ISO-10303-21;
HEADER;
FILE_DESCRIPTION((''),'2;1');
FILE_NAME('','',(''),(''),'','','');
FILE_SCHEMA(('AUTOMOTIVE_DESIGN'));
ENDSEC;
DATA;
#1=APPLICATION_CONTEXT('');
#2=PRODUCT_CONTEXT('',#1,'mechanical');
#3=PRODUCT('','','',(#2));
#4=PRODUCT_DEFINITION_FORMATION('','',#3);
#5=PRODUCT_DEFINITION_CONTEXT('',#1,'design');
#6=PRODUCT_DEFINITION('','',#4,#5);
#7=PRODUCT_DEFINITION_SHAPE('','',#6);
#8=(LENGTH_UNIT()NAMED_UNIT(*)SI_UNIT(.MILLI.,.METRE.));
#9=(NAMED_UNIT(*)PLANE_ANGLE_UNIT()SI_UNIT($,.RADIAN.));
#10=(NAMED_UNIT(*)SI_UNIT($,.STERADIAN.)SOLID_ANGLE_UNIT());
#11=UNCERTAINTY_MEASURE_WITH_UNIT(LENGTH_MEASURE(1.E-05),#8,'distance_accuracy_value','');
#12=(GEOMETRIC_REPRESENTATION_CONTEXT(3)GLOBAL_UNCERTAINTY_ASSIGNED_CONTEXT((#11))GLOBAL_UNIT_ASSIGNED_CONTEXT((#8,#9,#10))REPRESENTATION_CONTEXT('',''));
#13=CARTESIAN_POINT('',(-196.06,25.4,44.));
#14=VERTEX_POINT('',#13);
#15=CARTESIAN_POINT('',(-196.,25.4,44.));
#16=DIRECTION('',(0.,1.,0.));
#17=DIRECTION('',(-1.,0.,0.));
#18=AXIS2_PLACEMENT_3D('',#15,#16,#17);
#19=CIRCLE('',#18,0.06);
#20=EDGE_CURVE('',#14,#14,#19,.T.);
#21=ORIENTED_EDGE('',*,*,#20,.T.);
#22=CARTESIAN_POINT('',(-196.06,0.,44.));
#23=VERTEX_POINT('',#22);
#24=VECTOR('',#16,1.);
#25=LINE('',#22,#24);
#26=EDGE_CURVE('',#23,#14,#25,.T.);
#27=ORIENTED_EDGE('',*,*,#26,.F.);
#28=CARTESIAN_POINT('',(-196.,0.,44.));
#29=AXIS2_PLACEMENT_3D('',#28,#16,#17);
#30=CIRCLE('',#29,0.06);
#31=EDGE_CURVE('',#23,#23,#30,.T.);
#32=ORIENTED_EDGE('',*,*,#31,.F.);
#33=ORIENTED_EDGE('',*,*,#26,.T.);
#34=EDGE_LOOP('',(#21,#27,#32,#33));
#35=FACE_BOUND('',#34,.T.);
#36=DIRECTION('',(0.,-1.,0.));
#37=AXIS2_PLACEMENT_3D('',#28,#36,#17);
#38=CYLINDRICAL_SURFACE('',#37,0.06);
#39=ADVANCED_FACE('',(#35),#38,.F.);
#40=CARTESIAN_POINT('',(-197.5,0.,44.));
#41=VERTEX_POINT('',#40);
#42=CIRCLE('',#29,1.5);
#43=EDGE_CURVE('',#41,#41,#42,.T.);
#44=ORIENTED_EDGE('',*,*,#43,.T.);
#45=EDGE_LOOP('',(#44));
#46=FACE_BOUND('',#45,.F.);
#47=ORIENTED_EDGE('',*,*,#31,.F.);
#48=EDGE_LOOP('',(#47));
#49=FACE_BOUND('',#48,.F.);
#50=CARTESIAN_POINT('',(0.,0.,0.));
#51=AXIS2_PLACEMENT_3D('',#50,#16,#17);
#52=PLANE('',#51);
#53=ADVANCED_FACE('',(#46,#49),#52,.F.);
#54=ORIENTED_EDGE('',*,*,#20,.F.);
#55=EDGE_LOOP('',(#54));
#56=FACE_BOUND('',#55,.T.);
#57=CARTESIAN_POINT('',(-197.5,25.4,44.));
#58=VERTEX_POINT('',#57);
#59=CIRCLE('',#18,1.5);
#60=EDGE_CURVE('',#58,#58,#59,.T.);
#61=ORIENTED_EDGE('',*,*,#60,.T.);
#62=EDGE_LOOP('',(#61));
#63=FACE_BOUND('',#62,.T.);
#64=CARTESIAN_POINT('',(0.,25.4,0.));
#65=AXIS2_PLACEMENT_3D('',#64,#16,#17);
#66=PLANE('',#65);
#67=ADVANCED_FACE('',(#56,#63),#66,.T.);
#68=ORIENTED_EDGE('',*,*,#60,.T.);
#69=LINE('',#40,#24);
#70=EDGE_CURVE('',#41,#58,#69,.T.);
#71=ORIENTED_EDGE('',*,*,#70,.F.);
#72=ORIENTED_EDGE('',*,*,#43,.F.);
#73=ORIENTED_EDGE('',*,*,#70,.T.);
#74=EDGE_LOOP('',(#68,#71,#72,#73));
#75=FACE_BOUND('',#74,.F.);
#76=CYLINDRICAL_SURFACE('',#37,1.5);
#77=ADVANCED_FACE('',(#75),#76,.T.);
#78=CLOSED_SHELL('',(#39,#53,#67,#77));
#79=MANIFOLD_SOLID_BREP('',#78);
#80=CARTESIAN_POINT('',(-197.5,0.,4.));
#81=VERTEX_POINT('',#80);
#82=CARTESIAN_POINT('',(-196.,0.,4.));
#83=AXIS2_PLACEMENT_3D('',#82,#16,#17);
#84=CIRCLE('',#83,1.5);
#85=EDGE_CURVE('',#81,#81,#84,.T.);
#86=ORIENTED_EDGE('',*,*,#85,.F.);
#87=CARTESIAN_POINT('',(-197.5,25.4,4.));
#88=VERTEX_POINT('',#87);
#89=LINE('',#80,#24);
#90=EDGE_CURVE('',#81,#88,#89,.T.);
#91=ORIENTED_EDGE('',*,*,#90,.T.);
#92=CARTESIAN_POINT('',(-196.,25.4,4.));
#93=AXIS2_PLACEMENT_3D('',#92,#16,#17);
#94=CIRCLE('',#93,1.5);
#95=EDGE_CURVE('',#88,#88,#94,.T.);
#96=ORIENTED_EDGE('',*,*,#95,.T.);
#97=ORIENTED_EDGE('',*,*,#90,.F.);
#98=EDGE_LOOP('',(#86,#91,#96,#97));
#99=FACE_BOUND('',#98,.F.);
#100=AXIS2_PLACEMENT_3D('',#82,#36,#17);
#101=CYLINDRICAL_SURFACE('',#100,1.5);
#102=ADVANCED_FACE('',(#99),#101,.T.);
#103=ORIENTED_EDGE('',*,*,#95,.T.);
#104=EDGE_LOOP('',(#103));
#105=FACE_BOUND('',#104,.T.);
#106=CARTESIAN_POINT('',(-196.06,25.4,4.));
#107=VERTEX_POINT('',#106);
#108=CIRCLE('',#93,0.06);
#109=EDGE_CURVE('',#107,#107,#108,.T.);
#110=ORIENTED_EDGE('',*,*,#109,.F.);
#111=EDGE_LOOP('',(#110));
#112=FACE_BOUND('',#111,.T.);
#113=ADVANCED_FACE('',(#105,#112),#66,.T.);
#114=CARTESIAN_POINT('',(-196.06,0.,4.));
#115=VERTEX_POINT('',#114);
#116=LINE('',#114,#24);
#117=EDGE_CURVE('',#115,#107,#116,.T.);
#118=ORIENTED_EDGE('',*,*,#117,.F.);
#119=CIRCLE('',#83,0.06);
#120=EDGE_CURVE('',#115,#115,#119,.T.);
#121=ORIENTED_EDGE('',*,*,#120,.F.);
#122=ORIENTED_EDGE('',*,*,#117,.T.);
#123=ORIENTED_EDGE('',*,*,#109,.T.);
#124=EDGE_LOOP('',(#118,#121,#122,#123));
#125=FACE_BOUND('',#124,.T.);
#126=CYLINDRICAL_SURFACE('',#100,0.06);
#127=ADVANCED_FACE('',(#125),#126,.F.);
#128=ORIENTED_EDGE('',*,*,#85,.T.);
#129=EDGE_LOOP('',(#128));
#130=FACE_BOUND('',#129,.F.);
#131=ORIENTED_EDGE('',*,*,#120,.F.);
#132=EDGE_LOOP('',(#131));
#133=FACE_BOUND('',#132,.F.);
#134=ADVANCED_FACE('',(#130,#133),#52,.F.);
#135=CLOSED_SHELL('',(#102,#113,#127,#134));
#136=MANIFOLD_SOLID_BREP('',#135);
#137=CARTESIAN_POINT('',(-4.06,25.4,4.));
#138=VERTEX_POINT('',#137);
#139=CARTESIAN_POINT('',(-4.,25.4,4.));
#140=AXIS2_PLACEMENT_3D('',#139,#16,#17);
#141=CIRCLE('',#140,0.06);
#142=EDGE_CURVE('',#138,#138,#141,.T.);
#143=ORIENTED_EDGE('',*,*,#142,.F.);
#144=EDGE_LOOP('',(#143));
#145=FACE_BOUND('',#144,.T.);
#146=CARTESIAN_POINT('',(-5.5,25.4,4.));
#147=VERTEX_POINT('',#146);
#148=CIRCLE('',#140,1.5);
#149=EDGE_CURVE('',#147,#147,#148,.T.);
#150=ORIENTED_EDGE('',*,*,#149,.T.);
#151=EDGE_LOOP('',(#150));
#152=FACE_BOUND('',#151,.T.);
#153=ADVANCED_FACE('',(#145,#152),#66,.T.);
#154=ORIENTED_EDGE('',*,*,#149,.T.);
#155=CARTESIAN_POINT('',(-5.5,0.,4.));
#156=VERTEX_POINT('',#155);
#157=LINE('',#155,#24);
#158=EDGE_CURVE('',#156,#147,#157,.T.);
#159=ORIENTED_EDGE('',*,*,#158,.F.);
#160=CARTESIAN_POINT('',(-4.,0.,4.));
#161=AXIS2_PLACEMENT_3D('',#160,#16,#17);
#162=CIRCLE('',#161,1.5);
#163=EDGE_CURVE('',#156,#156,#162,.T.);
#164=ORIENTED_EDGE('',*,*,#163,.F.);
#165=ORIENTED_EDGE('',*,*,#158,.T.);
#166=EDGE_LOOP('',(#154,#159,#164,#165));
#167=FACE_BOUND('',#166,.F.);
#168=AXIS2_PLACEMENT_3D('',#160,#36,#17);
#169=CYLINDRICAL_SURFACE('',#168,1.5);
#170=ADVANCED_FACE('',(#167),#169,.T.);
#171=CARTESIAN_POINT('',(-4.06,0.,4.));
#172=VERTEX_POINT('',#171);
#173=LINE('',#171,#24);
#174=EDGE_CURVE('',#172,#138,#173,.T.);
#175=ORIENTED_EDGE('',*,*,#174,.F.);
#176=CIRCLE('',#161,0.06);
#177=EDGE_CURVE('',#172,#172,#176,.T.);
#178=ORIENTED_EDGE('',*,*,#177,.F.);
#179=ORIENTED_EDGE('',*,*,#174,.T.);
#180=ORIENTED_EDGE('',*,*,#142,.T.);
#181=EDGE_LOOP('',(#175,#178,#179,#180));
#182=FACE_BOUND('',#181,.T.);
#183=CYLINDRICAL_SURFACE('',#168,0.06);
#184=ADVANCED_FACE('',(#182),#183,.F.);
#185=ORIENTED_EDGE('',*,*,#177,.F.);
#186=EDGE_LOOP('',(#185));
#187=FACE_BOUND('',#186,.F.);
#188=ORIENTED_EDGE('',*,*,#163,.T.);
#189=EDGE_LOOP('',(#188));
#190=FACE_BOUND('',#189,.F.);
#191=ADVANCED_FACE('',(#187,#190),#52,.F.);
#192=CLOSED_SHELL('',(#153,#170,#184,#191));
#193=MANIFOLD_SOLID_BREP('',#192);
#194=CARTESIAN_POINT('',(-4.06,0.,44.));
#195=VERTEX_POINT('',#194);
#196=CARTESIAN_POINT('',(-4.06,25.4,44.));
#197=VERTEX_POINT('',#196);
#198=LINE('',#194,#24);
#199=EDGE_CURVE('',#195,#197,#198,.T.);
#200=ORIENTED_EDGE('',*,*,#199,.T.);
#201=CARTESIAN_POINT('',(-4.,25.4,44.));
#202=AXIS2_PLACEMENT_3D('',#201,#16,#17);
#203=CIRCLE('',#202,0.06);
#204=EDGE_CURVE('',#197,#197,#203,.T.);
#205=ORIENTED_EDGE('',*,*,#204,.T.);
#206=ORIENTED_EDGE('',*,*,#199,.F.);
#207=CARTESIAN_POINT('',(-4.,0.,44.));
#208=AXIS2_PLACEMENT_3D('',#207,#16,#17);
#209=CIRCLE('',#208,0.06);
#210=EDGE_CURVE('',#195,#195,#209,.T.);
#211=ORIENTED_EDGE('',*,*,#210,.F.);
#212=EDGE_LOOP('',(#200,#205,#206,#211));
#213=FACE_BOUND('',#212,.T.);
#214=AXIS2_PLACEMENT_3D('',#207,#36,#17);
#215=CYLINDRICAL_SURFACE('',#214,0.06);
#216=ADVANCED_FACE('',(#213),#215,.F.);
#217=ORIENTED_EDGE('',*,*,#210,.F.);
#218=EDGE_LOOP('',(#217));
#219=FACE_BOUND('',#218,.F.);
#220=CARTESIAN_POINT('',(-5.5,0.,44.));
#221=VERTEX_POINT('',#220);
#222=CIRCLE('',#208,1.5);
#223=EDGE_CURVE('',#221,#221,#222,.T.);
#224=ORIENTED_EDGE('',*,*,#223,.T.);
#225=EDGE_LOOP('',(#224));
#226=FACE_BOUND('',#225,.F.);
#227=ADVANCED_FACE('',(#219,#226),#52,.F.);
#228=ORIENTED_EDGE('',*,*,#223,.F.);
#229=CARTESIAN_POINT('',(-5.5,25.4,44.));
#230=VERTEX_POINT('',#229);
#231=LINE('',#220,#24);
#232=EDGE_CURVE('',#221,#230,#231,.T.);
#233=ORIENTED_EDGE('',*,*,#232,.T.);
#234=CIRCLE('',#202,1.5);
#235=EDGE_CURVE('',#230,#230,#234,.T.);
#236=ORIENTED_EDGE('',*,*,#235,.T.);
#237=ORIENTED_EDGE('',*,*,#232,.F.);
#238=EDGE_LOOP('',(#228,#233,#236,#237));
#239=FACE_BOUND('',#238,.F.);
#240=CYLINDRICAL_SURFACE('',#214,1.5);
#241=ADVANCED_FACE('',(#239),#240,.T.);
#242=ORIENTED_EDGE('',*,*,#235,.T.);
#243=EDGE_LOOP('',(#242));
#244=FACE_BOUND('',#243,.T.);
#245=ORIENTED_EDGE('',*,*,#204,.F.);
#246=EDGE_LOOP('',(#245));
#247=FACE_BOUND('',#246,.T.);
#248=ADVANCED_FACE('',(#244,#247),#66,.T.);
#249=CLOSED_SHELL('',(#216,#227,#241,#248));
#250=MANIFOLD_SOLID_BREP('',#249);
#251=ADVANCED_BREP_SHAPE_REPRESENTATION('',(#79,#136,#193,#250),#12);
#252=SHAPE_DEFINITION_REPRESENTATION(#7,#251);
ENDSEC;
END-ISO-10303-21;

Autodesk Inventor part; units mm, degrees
ref_plane "YZ Plane" through (0, 0, 0) normal (1, 0, 0) x (0, 1, 0)
ref_plane "XZ Plane" through (0, 0, 0) normal (0, 1, 0) x (-1, 0, 0)
ref_plane "XY Plane" through (0, 0, 0) normal (0, 0, 1) x (1, 0, 0)
sketch "Sketch1" plane through (0, 0, 0) normal (0, 1, 0) x (-1, 0, 0)
  line L0 (0, 0.0005) -> (200, -0.0005)
  line L1 (200, 0) -> (200, 48)
  line L2 (200, 48) -> (0, 48)
  line L3 (0, 48) -> (0, 0)
  circle A0 centre (4, 4) radius 0.06
  circle A1 centre (196, 44) radius 0.06
  circle A2 centre (196, 4) radius 0.06
  circle A3 centre (4, 44) radius 0.06
  circle A4 centre (4, 44) radius 1.5
  circle A5 centre (4, 4) radius 1.5
  circle A6 centre (196, 4) radius 1.5
  circle A7 centre (196, 44) radius 1.5
  arc A8 (4, 3.9192) -> (4, 4.0808) centre (4, 4) ccw
  arc A9 (4, 4.0808) -> (4, 3.9192) centre (4, 4) ccw
  arc A10 (4, 44.0808) -> (4, 43.9192) centre (4, 44) ccw
  arc A11 (196, 3.9192) -> (196, 4.0808) centre (196, 4) ccw
  arc A12 (196, 43.9192) -> (196, 44.0808) centre (196, 44) ccw
  arc A13 (196, 44.0808) -> (196, 43.9192) centre (196, 44) ccw
  arc A14 (196, 4.0808) -> (196, 3.9192) centre (196, 4) ccw
  arc A15 (4, 43.9192) -> (4, 44.0808) centre (4, 44) ccw
  arc A16 (4, 43.1992) -> (4, 44.8008) centre (4, 44) ccw
  arc A17 (4, 44.8008) -> (4, 43.1992) centre (4, 44) ccw
  arc A18 (4, 3.1992) -> (4, 4.8008) centre (4, 4) ccw
  arc A19 (4, 4.8008) -> (4, 3.1992) centre (4, 4) ccw
  arc A20 (196, 3.1992) -> (196, 4.8008) centre (196, 4) ccw
  arc A21 (196, 4.8008) -> (196, 3.1992) centre (196, 4) ccw
  arc A22 (196, 43.1992) -> (196, 44.8008) centre (196, 44) ccw
  arc A23 (196, 44.8008) -> (196, 43.1992) centre (196, 44) ccw
  arc A24 (4, 44.8008) -> (4, 43.1992) centre (4, 44) ccw
  arc A25 (196, 44.0808) -> (196, 43.9192) centre (196, 44) ccw
  arc A26 (4, 43.9192) -> (4, 44.0808) centre (4, 44) ccw
  arc A27 (4, 44.0808) -> (4, 43.9192) centre (4, 44) ccw
  arc A28 (4, 3.1992) -> (4, 4.8008) centre (4, 4) ccw
  arc A29 (4, 4.8008) -> (4, 3.1992) centre (4, 4) ccw
  arc A30 (196, 3.9192) -> (196, 4.0808) centre (196, 4) ccw
  arc A31 (196, 4.0808) -> (196, 3.9192) centre (196, 4) ccw
  arc A32 (4, 3.9192) -> (4, 4.0808) centre (4, 4) ccw
  arc A33 (196, 3.1992) -> (196, 4.8008) centre (196, 4) ccw
  arc A34 (196, 4.8008) -> (196, 3.1992) centre (196, 4) ccw
  arc A35 (4, 4.0808) -> (4, 3.9192) centre (4, 4) ccw
  arc A36 (196, 43.9192) -> (196, 44.0808) centre (196, 44) ccw
  arc A37 (4, 43.1992) -> (4, 44.8008) centre (4, 44) ccw
  arc A38 (196, 43.1992) -> (196, 44.8008) centre (196, 44) ccw
  arc A39 (196, 44.8008) -> (196, 43.1992) centre (196, 44) ccw
  line L4 (0, 0) -> (0, 48)
  line L5 (200, 48) -> (0, 48)
  line L6 (200.0051, 48) -> (200, -0.0009)
  line L7 (200, -0.0009) -> (0, 0)
  dimension "d2" = 39.9192
  dimension "d3" = 192
extrude "Extrusion1" add sketch "Sketch1" along normal blind 25.4 contours A4 | A5 | A6 | A7 | A9 A8 | A15 A10 | A14 A11 | A13 A12 | A17 A16 | A19 A18 | A21 A20 | A23 A22
properties part number "Register"
